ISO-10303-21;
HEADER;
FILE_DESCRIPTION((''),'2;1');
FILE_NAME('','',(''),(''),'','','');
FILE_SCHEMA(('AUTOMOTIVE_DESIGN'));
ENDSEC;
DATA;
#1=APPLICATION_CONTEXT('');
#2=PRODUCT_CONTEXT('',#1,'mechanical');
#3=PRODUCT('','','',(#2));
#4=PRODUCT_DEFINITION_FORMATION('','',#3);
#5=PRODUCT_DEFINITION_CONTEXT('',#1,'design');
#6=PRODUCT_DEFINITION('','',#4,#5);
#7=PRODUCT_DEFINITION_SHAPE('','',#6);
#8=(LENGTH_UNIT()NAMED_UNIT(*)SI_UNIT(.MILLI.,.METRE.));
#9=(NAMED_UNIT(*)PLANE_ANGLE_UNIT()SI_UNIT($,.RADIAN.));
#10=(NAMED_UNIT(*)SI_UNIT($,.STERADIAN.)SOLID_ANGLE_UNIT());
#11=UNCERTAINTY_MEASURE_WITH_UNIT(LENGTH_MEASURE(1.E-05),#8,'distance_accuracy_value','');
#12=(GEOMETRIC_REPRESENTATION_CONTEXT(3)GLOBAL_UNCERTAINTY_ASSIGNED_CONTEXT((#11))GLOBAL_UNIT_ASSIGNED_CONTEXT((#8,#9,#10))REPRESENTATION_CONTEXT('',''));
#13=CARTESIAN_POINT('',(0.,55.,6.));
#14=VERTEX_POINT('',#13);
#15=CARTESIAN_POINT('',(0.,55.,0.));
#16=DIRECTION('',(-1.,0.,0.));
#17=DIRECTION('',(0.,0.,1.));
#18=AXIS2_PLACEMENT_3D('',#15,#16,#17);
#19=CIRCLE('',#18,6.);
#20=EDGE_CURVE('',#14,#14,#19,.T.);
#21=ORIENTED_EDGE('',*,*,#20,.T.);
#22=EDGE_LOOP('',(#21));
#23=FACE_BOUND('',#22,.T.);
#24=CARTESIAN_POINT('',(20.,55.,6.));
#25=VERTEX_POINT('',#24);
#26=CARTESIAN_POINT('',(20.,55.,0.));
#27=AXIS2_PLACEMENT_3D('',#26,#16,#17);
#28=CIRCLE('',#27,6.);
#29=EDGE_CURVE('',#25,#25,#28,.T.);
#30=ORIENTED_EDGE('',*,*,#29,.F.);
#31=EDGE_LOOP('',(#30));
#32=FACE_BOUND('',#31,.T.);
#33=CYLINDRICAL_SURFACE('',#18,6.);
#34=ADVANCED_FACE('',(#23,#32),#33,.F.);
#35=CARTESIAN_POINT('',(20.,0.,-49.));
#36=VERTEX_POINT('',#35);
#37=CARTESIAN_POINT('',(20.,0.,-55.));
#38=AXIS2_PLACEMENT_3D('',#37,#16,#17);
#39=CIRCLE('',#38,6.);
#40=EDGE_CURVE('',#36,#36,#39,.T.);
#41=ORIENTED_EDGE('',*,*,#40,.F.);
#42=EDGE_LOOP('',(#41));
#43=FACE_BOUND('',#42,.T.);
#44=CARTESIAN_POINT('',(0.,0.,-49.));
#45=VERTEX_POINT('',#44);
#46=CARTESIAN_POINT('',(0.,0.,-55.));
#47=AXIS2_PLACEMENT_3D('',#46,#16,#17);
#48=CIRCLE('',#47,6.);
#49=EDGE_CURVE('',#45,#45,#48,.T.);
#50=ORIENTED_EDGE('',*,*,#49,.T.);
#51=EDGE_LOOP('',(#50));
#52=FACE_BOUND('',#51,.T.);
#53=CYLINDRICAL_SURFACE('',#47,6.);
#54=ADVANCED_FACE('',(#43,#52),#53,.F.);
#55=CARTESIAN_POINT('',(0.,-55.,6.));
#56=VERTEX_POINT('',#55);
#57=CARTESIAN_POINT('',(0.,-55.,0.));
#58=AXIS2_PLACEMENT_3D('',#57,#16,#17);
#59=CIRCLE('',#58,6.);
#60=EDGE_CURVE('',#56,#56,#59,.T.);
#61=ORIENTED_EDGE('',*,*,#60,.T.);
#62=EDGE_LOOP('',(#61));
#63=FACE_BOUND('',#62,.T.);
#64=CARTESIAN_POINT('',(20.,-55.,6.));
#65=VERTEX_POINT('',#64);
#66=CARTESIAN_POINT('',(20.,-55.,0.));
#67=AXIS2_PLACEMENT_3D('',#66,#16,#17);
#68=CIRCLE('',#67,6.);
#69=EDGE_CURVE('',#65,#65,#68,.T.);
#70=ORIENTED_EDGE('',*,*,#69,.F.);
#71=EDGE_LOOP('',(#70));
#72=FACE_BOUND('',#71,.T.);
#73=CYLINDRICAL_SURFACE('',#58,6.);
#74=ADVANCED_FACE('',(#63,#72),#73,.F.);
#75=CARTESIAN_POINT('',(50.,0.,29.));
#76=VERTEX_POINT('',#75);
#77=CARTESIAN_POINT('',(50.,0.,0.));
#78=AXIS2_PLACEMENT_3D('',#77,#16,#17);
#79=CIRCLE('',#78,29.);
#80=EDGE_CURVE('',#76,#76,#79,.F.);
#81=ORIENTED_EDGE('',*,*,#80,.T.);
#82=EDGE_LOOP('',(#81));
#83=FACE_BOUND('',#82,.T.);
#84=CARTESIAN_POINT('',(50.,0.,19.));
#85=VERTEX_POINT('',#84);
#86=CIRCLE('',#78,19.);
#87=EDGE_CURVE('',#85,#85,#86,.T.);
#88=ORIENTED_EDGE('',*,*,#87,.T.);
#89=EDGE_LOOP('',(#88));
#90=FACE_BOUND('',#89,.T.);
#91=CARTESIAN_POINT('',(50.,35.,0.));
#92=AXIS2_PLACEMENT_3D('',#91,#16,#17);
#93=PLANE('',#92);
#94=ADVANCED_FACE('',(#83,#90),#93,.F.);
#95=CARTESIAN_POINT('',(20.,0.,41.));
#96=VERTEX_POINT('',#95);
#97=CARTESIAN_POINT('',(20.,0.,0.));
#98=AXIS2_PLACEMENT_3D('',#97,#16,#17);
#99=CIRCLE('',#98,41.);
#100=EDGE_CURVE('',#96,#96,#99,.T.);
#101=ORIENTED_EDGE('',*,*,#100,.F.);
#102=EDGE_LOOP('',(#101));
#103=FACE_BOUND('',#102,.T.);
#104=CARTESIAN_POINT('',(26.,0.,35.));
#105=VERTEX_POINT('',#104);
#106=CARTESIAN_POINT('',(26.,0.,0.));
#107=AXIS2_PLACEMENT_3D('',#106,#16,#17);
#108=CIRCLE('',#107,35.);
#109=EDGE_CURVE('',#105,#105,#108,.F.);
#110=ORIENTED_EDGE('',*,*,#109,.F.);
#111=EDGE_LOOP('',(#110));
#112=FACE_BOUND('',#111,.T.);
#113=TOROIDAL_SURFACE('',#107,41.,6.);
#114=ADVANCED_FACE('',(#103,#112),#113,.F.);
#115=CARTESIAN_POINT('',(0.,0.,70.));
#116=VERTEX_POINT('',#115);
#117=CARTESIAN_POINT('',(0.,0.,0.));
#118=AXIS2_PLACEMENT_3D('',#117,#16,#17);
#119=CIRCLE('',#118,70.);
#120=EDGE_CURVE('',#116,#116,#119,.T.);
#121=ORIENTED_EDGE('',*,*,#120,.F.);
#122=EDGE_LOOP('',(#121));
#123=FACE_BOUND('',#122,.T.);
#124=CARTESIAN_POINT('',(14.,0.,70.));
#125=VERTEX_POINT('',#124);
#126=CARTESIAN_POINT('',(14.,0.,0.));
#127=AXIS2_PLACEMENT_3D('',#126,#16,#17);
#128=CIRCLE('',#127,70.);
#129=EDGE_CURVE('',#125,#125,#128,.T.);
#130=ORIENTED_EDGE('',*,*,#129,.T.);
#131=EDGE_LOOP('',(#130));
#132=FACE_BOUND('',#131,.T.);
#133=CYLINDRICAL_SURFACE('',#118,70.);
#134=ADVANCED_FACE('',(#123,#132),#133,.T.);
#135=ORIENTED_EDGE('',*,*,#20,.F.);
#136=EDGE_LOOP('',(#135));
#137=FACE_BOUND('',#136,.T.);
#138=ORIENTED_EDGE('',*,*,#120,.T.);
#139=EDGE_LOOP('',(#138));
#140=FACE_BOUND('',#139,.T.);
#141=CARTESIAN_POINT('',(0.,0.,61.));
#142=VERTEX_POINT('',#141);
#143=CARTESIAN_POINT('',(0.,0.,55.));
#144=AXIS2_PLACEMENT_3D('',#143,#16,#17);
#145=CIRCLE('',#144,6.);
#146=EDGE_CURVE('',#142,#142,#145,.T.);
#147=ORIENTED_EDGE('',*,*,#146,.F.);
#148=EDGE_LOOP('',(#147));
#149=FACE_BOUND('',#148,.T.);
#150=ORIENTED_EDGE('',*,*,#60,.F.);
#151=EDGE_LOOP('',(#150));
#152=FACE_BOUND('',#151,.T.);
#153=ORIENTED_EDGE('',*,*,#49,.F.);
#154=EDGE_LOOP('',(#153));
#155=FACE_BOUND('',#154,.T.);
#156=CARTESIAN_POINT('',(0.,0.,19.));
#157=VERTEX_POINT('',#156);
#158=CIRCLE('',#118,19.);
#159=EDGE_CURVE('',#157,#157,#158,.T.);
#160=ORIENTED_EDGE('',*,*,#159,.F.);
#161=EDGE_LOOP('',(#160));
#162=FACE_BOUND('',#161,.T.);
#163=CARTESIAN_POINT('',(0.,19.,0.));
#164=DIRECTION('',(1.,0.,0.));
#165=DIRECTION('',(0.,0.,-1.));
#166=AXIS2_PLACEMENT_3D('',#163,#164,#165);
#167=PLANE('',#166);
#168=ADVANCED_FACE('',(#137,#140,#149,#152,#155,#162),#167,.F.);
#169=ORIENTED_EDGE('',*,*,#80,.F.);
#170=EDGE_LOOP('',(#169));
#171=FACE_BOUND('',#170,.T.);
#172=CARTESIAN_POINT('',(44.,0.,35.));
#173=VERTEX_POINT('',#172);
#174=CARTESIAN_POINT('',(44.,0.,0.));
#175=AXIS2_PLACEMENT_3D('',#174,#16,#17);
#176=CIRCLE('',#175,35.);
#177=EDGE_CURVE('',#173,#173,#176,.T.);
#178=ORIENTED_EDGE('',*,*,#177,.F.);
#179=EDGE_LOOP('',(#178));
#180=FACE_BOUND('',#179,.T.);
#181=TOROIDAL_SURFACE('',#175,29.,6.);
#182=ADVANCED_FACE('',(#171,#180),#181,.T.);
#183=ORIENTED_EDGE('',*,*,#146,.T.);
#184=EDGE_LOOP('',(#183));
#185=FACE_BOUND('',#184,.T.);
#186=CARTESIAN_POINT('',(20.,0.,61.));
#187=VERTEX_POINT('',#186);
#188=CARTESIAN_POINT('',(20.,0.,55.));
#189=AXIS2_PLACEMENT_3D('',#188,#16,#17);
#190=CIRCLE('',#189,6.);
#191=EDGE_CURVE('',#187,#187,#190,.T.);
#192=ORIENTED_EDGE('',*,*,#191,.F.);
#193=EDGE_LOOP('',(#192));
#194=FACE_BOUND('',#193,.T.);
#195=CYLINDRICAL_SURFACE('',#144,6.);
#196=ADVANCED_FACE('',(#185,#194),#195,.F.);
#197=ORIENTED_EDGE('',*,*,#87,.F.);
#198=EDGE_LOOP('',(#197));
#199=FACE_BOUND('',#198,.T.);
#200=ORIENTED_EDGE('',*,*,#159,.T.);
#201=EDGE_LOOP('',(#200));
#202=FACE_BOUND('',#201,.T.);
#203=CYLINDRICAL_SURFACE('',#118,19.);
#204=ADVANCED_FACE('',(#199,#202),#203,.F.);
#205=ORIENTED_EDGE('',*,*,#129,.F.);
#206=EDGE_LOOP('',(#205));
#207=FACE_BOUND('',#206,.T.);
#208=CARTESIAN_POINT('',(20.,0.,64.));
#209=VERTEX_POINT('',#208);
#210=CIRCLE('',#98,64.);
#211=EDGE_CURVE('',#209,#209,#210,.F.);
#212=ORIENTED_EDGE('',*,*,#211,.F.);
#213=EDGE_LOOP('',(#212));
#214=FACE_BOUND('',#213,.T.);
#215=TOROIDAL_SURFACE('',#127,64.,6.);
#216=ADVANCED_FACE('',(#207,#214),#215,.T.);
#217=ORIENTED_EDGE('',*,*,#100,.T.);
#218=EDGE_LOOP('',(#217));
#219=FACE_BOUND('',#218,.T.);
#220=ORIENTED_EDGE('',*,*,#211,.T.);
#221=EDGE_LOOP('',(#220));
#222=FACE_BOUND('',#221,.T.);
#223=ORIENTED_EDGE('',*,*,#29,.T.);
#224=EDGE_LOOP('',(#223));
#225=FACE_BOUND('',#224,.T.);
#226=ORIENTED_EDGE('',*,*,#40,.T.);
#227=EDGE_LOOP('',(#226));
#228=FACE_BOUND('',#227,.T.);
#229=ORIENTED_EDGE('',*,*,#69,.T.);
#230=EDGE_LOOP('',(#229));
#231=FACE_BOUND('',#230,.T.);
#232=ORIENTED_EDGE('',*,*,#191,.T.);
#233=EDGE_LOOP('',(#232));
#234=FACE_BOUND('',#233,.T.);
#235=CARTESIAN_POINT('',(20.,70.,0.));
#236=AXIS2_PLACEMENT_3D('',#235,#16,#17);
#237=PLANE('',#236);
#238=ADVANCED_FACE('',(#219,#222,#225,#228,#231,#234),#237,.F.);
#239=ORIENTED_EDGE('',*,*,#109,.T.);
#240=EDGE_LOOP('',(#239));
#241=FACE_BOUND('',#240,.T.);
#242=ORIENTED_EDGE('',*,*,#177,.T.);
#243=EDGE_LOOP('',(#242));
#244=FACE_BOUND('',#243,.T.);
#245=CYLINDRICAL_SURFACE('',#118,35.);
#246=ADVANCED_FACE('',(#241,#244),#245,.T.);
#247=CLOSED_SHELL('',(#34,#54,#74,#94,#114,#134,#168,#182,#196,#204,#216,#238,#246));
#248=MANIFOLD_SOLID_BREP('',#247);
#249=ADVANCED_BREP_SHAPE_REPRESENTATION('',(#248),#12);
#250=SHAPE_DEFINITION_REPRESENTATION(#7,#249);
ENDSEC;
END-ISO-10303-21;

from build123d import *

# Parameters (mm, degrees)
FILLET1_R                  = 6
F_12_0_12_DIAMETER_HOLE1_D = 12
CIRPATTERN1_COUNT          = 4


with BuildPart() as part:
    # Sketch1 → Revolve1 (revolve)
    with BuildSketch(Plane.XY, mode=Mode.PRIVATE) as revolve1_sk:
        Polygon((0, 19), (0, 70), (20, 70), (20, 35), (50, 35), (50, 19), align=None)
    revolve(revolve1_sk.sketch.rotate(Axis((0, 0, 0), (1, 0, 0)), 90), axis=Axis((0, 0, 0), (1, 0, 0)))

    # Fillet1
    fillet1_edges = [part.edges().sort_by_distance(p)[0] for p in [
        (50, 0, -35),
        (20, 0, -35),
        (20, 0, -70),
    ]]
    fillet(fillet1_edges, radius=FILLET1_R)

    # Ø12.0 (12) Diameter Hole1 (through all)
    with Locations(Plane.ZY):
        with Locations((0, 55)):
            f_12_0_12_diameter_hole1 = Hole(F_12_0_12_DIAMETER_HOLE1_D / 2)

    # CirPattern1: Ø12.0 (12) Diameter Hole1 ×4 about axis
    cirpattern1_axis = Axis((0, 0, 0), (1, 0, 0))
    for i in range(1, CIRPATTERN1_COUNT):
        add(f_12_0_12_diameter_hole1.rotate(cirpattern1_axis, i * 360 / CIRPATTERN1_COUNT), mode=Mode.SUBTRACT)


solid = part.part
